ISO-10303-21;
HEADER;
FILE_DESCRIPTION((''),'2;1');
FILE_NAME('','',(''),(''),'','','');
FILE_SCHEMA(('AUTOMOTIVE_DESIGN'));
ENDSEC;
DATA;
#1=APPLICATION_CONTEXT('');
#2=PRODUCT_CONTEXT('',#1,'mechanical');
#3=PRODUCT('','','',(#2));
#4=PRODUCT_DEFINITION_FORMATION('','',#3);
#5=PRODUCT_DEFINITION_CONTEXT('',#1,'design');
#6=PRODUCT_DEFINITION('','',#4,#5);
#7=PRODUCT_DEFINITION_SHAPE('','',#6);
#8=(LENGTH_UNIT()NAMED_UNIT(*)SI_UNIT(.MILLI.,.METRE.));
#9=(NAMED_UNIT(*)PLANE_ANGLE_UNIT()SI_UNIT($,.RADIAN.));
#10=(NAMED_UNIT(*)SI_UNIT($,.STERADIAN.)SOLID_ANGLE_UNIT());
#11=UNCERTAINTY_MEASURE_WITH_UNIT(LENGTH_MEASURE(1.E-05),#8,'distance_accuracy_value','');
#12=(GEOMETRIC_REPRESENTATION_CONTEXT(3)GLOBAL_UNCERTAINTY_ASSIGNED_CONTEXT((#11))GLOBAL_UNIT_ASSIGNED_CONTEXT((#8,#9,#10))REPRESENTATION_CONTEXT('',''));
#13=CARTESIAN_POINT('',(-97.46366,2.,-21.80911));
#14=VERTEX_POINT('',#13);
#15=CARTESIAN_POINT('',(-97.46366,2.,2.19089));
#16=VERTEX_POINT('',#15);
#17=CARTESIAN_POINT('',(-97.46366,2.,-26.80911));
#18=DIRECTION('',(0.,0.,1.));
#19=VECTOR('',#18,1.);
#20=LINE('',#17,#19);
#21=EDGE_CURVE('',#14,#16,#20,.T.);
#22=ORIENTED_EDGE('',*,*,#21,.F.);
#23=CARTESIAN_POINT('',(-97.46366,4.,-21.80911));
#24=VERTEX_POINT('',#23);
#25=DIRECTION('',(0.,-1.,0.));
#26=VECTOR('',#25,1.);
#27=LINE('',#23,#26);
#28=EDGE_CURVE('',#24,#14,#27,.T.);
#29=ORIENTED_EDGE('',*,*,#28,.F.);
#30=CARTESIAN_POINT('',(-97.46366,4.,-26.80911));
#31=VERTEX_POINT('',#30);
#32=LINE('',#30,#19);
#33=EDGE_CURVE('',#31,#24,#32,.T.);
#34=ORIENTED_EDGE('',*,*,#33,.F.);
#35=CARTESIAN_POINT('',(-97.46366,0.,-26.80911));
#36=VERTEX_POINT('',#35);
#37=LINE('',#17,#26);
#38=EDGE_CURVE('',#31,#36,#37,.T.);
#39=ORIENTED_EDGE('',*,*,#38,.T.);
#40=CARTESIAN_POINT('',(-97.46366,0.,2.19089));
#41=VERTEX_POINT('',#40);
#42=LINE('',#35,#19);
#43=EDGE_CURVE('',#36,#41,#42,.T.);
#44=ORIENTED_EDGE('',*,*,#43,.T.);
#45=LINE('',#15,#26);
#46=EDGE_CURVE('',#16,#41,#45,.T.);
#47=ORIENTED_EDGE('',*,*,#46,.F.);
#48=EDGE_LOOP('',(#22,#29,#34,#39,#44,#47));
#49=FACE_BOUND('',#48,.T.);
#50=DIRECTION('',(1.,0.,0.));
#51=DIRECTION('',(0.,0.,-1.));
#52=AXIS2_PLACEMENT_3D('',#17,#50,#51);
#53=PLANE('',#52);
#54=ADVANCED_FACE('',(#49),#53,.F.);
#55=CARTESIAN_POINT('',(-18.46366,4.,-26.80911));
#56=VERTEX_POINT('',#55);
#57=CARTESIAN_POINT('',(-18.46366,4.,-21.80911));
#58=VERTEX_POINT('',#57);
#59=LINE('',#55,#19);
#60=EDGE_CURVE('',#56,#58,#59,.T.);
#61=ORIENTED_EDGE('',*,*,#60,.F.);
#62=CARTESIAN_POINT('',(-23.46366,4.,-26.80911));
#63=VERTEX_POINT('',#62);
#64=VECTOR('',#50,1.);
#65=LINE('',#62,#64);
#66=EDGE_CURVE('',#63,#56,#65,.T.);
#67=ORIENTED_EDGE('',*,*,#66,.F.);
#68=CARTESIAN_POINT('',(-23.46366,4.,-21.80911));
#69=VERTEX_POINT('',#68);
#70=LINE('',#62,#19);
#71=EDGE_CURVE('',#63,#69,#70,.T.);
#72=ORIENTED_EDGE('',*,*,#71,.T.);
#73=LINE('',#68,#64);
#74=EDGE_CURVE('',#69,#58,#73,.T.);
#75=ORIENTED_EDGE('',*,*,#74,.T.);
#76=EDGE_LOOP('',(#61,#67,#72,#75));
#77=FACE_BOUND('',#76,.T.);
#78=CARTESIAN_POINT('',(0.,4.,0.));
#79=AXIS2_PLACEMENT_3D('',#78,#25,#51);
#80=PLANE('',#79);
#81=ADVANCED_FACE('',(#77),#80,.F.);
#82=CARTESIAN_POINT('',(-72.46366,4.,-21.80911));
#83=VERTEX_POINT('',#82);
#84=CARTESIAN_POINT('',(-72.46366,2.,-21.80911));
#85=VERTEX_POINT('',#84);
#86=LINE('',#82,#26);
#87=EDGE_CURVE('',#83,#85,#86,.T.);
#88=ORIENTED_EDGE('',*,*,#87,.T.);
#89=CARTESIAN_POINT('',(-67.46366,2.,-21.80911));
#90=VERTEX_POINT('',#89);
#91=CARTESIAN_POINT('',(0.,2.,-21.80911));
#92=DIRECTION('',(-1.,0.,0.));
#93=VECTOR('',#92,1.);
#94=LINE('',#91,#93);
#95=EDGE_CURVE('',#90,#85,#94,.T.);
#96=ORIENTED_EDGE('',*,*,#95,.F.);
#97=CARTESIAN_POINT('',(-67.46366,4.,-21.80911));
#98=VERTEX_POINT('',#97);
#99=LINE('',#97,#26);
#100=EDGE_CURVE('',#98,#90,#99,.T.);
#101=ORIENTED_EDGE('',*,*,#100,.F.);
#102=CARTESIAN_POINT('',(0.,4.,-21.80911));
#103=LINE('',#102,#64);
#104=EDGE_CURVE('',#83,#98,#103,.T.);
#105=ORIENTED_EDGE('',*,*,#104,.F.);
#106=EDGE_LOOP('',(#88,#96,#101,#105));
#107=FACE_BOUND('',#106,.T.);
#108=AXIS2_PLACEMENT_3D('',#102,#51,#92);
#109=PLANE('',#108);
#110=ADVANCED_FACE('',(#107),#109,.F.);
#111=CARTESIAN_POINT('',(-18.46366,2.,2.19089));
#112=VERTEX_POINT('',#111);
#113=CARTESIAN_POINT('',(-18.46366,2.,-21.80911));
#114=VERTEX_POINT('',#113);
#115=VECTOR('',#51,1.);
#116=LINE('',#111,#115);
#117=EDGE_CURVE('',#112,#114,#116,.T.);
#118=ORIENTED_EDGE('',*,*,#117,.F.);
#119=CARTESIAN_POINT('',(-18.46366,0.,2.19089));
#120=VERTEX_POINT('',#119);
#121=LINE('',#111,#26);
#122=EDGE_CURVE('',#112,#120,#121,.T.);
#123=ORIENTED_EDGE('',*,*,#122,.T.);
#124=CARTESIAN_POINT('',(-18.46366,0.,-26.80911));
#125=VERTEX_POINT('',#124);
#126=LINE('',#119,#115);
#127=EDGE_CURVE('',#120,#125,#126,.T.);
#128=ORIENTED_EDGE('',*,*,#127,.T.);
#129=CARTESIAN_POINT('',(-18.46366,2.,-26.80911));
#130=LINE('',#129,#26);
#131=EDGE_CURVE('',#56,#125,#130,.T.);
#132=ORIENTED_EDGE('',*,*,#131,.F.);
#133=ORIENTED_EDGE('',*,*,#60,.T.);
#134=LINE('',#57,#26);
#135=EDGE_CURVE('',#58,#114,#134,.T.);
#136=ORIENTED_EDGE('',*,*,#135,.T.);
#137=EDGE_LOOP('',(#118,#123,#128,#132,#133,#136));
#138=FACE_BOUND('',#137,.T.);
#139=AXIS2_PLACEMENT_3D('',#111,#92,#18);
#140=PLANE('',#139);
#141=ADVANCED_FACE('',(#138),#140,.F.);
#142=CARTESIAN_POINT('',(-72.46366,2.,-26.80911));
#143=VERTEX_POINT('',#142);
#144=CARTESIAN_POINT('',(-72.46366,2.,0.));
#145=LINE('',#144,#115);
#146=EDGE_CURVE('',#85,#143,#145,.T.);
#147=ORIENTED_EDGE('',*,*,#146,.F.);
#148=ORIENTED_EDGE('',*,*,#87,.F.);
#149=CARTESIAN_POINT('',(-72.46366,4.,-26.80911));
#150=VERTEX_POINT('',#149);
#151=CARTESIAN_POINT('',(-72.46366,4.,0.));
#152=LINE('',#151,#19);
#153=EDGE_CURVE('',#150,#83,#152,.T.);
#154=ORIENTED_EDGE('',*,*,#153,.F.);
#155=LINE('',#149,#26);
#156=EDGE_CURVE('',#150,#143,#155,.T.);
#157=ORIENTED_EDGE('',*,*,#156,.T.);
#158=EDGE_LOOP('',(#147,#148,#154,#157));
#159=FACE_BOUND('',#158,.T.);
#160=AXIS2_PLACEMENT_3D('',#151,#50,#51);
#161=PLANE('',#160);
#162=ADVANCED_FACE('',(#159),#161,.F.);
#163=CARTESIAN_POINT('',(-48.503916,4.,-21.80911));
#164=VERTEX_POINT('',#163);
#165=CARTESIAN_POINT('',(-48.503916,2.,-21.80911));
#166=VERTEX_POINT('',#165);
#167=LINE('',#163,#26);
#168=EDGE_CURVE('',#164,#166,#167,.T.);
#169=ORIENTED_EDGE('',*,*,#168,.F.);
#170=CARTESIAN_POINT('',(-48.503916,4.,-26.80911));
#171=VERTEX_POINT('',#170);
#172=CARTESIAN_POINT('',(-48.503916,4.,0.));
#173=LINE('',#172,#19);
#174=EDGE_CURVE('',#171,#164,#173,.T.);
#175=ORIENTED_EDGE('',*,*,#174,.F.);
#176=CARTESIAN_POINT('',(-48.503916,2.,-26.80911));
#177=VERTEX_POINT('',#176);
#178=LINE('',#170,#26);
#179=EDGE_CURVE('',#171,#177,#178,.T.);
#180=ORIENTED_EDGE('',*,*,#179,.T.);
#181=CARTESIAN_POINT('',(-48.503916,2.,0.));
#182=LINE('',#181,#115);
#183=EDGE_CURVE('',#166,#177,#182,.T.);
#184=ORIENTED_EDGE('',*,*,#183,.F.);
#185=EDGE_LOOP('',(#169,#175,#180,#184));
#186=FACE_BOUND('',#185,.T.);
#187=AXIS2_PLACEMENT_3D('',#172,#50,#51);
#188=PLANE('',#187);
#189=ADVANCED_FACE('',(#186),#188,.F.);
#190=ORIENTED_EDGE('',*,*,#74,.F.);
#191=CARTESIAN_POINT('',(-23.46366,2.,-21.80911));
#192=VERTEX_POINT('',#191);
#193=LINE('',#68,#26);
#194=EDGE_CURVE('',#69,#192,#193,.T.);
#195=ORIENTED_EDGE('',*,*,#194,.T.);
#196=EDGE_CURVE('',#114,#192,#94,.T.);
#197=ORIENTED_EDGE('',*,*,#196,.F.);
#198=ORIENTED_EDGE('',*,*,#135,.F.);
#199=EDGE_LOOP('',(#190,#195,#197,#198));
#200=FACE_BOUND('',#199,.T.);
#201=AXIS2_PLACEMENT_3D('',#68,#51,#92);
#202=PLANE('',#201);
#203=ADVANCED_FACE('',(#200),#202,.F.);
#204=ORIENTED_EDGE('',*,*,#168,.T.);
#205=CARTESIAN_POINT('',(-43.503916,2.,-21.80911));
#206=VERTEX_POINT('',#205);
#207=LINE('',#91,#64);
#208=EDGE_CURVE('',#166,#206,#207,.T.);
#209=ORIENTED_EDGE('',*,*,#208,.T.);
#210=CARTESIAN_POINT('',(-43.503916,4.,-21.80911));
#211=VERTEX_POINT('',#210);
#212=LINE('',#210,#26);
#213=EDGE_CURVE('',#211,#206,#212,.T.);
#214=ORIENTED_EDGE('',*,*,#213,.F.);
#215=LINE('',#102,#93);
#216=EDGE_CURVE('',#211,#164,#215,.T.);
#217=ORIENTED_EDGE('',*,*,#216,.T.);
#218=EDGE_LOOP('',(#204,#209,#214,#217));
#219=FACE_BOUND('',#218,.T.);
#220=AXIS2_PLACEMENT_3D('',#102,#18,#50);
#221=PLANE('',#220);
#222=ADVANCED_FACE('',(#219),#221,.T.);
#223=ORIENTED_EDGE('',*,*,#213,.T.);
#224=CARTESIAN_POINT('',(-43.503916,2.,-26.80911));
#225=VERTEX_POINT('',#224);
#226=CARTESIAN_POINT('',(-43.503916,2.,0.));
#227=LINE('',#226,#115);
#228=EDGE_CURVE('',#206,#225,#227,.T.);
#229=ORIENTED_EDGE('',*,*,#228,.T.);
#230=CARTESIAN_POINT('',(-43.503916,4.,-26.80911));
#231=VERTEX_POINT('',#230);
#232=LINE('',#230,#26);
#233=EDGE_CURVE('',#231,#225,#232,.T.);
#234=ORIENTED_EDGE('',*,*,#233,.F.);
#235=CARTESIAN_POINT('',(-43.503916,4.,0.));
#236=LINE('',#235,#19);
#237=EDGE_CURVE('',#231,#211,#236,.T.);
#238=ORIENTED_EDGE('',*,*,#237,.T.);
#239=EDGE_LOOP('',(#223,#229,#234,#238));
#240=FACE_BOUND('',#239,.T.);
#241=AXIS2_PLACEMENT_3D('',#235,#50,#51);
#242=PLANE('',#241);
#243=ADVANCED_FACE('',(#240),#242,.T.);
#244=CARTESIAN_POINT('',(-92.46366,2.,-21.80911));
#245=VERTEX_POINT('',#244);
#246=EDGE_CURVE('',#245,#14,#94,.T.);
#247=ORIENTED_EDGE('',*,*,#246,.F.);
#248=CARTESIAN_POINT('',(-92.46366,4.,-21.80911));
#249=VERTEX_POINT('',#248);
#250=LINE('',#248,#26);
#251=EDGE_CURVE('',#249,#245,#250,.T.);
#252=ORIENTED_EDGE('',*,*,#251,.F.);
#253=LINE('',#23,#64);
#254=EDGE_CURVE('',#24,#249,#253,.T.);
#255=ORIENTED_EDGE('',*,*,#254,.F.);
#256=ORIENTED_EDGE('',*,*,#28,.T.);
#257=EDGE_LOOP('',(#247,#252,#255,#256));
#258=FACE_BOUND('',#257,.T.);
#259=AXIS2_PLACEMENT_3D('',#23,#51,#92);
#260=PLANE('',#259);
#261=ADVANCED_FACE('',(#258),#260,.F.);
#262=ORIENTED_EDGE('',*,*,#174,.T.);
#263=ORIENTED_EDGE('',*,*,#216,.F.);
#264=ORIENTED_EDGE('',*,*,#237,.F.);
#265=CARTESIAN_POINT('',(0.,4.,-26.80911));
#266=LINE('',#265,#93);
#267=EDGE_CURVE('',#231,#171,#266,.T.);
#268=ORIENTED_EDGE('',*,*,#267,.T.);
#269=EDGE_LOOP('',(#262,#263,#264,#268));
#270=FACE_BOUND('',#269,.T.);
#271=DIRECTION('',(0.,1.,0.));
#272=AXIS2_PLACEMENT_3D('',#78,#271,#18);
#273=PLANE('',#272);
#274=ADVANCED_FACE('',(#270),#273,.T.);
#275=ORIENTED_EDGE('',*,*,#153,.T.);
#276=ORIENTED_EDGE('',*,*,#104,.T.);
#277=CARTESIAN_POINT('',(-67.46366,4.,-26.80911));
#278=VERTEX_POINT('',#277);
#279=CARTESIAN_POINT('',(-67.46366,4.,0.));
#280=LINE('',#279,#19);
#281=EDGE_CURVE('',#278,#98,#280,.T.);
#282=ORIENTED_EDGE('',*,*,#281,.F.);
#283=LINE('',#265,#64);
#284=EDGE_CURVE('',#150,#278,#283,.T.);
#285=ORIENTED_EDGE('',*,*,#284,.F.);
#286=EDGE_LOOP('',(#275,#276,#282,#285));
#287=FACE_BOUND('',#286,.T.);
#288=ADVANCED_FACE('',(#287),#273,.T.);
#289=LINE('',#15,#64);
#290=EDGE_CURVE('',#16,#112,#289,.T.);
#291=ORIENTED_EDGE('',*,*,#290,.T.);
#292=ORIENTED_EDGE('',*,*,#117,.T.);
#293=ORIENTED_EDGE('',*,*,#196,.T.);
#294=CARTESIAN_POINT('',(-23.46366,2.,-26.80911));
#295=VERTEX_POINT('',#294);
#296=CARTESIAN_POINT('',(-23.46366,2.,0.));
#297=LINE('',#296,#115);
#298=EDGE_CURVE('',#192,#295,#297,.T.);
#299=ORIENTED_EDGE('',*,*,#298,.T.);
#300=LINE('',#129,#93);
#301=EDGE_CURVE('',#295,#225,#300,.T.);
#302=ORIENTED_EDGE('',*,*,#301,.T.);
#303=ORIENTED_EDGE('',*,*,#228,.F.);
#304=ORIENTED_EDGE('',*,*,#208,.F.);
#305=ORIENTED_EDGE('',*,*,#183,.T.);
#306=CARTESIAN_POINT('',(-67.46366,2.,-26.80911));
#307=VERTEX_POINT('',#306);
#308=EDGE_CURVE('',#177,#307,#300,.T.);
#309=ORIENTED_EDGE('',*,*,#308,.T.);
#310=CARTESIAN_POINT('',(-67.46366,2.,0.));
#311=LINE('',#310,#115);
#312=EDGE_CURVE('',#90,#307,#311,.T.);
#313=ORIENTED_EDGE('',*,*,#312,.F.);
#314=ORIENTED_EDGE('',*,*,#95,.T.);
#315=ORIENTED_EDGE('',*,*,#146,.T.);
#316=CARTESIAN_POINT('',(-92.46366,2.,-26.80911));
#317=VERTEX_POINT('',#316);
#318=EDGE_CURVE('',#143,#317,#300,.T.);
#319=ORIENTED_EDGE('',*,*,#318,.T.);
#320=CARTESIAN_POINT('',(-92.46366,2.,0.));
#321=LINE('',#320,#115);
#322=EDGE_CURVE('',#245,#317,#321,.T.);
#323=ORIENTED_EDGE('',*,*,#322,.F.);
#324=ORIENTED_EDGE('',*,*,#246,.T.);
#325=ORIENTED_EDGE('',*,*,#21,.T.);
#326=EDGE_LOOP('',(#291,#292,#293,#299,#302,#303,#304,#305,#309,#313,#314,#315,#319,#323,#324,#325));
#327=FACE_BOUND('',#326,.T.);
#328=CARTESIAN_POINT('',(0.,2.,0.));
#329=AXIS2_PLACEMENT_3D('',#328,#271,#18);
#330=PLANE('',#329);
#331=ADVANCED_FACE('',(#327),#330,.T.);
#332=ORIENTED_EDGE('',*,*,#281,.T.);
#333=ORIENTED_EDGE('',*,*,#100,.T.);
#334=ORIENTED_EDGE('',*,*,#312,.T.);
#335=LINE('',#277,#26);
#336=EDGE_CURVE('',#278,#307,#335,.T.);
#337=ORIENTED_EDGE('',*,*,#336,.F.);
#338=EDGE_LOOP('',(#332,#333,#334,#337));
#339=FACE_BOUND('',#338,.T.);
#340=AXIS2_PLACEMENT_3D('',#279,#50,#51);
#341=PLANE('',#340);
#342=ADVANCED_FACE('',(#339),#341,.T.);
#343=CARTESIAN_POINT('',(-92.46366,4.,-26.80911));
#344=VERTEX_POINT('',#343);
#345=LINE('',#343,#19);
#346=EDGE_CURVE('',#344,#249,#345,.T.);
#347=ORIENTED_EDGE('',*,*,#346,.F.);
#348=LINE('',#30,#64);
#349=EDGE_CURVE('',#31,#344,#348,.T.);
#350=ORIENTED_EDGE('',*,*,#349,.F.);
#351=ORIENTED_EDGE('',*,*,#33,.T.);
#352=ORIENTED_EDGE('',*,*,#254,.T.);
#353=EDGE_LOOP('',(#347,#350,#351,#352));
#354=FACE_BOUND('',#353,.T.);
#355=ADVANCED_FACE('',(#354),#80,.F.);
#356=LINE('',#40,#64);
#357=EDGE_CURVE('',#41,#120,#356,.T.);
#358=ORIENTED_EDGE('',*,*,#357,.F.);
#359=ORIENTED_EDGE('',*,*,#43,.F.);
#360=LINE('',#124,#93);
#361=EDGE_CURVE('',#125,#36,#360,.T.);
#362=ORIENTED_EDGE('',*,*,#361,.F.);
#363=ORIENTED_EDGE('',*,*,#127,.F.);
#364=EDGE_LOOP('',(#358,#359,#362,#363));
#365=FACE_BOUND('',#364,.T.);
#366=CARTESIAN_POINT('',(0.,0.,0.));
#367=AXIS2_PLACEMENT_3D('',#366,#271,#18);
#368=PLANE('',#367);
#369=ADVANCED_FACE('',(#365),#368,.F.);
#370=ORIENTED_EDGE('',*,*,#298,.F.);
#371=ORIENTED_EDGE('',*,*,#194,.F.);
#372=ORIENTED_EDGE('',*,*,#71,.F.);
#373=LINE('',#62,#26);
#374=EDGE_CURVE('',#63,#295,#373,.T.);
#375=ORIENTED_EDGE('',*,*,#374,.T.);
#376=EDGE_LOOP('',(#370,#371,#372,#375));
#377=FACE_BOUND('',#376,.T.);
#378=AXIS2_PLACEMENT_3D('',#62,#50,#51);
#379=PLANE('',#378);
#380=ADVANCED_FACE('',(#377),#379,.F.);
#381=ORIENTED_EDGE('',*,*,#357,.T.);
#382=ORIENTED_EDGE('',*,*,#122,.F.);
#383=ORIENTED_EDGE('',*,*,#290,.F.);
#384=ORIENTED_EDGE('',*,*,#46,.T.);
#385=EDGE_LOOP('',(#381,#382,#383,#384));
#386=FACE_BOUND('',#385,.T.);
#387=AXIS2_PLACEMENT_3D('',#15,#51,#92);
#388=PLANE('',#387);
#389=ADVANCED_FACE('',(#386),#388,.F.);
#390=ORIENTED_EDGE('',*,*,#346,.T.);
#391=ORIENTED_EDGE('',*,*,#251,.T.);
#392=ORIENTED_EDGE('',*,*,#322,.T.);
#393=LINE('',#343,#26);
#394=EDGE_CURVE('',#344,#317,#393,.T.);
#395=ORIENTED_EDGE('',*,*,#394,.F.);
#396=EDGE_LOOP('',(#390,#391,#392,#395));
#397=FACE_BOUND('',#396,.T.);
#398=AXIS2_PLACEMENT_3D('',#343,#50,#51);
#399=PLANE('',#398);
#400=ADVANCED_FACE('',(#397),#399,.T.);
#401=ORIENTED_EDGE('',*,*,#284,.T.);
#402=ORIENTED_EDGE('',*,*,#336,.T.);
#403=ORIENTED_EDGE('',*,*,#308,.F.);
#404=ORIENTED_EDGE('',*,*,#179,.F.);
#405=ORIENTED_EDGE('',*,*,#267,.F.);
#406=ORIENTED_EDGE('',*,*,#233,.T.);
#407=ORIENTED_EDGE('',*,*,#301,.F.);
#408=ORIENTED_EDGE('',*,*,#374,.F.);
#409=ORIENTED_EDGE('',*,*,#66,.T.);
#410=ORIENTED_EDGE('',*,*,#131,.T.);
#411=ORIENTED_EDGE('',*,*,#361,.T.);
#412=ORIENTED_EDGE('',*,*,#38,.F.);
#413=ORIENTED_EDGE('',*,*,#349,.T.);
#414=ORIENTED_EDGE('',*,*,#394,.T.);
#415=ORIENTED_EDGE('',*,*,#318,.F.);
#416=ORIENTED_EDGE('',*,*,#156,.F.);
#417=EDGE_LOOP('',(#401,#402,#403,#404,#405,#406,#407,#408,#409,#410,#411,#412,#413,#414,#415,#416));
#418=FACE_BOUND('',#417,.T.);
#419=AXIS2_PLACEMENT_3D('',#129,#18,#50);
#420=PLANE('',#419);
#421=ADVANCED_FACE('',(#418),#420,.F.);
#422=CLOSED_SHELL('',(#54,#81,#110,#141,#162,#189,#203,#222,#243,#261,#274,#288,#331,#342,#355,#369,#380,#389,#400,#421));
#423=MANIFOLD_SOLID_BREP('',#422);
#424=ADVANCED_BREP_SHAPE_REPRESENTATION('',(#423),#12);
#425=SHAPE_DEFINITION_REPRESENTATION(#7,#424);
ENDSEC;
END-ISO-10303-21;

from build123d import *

# Parameters (mm, degrees)
SKETCH_1_W      = 79
SKETCH_1_H      = 29
EXTRUDE_1_DEPTH = 2
SKETCH_2_W      = 5
SKETCH_2_H      = 5
EXTRUDE_3_DEPTH = 4
SKETCH_3_W      = 5
SKETCH_3_H      = 5
EXTRUDE_4_DEPTH = 4


with BuildPart() as part:
    # 草图1 → 凸台-拉伸1 (new body)
    with BuildSketch(Plane(origin=(0, 0, 0), x_dir=(1, 0, 0), z_dir=(0, 1, 0))):
        with Locations((-57.963659684, 12.309109642)):
            Rectangle(SKETCH_1_W, SKETCH_1_H)
    extrude(amount=EXTRUDE_1_DEPTH)

    # 草图2 → 凸台-拉伸3 (add)
    with BuildSketch(Plane(origin=(0, 0, 0), x_dir=(1, 0, 0), z_dir=(0, 1, 0))):
        with Locations((-94.963659684, 24.309109642)):
            Rectangle(SKETCH_2_W, SKETCH_2_H)
        with Locations((-20.963659684, 24.309109642)):
            Rectangle(SKETCH_2_W, SKETCH_2_H)
    extrude(amount=EXTRUDE_3_DEPTH)

    # 草图3 → 凸台-拉伸4 (add)
    with BuildSketch(Plane(origin=(0, 0, 0), x_dir=(1, 0, 0), z_dir=(0, 1, 0))):
        with Locations((-69.963659684, 24.309109642)):
            Rectangle(SKETCH_3_W, SKETCH_3_H)
        with Locations((-46.003915764, 24.309109642)):
            Rectangle(SKETCH_3_W, SKETCH_3_H)
    extrude(amount=EXTRUDE_4_DEPTH)


solid = part.part
